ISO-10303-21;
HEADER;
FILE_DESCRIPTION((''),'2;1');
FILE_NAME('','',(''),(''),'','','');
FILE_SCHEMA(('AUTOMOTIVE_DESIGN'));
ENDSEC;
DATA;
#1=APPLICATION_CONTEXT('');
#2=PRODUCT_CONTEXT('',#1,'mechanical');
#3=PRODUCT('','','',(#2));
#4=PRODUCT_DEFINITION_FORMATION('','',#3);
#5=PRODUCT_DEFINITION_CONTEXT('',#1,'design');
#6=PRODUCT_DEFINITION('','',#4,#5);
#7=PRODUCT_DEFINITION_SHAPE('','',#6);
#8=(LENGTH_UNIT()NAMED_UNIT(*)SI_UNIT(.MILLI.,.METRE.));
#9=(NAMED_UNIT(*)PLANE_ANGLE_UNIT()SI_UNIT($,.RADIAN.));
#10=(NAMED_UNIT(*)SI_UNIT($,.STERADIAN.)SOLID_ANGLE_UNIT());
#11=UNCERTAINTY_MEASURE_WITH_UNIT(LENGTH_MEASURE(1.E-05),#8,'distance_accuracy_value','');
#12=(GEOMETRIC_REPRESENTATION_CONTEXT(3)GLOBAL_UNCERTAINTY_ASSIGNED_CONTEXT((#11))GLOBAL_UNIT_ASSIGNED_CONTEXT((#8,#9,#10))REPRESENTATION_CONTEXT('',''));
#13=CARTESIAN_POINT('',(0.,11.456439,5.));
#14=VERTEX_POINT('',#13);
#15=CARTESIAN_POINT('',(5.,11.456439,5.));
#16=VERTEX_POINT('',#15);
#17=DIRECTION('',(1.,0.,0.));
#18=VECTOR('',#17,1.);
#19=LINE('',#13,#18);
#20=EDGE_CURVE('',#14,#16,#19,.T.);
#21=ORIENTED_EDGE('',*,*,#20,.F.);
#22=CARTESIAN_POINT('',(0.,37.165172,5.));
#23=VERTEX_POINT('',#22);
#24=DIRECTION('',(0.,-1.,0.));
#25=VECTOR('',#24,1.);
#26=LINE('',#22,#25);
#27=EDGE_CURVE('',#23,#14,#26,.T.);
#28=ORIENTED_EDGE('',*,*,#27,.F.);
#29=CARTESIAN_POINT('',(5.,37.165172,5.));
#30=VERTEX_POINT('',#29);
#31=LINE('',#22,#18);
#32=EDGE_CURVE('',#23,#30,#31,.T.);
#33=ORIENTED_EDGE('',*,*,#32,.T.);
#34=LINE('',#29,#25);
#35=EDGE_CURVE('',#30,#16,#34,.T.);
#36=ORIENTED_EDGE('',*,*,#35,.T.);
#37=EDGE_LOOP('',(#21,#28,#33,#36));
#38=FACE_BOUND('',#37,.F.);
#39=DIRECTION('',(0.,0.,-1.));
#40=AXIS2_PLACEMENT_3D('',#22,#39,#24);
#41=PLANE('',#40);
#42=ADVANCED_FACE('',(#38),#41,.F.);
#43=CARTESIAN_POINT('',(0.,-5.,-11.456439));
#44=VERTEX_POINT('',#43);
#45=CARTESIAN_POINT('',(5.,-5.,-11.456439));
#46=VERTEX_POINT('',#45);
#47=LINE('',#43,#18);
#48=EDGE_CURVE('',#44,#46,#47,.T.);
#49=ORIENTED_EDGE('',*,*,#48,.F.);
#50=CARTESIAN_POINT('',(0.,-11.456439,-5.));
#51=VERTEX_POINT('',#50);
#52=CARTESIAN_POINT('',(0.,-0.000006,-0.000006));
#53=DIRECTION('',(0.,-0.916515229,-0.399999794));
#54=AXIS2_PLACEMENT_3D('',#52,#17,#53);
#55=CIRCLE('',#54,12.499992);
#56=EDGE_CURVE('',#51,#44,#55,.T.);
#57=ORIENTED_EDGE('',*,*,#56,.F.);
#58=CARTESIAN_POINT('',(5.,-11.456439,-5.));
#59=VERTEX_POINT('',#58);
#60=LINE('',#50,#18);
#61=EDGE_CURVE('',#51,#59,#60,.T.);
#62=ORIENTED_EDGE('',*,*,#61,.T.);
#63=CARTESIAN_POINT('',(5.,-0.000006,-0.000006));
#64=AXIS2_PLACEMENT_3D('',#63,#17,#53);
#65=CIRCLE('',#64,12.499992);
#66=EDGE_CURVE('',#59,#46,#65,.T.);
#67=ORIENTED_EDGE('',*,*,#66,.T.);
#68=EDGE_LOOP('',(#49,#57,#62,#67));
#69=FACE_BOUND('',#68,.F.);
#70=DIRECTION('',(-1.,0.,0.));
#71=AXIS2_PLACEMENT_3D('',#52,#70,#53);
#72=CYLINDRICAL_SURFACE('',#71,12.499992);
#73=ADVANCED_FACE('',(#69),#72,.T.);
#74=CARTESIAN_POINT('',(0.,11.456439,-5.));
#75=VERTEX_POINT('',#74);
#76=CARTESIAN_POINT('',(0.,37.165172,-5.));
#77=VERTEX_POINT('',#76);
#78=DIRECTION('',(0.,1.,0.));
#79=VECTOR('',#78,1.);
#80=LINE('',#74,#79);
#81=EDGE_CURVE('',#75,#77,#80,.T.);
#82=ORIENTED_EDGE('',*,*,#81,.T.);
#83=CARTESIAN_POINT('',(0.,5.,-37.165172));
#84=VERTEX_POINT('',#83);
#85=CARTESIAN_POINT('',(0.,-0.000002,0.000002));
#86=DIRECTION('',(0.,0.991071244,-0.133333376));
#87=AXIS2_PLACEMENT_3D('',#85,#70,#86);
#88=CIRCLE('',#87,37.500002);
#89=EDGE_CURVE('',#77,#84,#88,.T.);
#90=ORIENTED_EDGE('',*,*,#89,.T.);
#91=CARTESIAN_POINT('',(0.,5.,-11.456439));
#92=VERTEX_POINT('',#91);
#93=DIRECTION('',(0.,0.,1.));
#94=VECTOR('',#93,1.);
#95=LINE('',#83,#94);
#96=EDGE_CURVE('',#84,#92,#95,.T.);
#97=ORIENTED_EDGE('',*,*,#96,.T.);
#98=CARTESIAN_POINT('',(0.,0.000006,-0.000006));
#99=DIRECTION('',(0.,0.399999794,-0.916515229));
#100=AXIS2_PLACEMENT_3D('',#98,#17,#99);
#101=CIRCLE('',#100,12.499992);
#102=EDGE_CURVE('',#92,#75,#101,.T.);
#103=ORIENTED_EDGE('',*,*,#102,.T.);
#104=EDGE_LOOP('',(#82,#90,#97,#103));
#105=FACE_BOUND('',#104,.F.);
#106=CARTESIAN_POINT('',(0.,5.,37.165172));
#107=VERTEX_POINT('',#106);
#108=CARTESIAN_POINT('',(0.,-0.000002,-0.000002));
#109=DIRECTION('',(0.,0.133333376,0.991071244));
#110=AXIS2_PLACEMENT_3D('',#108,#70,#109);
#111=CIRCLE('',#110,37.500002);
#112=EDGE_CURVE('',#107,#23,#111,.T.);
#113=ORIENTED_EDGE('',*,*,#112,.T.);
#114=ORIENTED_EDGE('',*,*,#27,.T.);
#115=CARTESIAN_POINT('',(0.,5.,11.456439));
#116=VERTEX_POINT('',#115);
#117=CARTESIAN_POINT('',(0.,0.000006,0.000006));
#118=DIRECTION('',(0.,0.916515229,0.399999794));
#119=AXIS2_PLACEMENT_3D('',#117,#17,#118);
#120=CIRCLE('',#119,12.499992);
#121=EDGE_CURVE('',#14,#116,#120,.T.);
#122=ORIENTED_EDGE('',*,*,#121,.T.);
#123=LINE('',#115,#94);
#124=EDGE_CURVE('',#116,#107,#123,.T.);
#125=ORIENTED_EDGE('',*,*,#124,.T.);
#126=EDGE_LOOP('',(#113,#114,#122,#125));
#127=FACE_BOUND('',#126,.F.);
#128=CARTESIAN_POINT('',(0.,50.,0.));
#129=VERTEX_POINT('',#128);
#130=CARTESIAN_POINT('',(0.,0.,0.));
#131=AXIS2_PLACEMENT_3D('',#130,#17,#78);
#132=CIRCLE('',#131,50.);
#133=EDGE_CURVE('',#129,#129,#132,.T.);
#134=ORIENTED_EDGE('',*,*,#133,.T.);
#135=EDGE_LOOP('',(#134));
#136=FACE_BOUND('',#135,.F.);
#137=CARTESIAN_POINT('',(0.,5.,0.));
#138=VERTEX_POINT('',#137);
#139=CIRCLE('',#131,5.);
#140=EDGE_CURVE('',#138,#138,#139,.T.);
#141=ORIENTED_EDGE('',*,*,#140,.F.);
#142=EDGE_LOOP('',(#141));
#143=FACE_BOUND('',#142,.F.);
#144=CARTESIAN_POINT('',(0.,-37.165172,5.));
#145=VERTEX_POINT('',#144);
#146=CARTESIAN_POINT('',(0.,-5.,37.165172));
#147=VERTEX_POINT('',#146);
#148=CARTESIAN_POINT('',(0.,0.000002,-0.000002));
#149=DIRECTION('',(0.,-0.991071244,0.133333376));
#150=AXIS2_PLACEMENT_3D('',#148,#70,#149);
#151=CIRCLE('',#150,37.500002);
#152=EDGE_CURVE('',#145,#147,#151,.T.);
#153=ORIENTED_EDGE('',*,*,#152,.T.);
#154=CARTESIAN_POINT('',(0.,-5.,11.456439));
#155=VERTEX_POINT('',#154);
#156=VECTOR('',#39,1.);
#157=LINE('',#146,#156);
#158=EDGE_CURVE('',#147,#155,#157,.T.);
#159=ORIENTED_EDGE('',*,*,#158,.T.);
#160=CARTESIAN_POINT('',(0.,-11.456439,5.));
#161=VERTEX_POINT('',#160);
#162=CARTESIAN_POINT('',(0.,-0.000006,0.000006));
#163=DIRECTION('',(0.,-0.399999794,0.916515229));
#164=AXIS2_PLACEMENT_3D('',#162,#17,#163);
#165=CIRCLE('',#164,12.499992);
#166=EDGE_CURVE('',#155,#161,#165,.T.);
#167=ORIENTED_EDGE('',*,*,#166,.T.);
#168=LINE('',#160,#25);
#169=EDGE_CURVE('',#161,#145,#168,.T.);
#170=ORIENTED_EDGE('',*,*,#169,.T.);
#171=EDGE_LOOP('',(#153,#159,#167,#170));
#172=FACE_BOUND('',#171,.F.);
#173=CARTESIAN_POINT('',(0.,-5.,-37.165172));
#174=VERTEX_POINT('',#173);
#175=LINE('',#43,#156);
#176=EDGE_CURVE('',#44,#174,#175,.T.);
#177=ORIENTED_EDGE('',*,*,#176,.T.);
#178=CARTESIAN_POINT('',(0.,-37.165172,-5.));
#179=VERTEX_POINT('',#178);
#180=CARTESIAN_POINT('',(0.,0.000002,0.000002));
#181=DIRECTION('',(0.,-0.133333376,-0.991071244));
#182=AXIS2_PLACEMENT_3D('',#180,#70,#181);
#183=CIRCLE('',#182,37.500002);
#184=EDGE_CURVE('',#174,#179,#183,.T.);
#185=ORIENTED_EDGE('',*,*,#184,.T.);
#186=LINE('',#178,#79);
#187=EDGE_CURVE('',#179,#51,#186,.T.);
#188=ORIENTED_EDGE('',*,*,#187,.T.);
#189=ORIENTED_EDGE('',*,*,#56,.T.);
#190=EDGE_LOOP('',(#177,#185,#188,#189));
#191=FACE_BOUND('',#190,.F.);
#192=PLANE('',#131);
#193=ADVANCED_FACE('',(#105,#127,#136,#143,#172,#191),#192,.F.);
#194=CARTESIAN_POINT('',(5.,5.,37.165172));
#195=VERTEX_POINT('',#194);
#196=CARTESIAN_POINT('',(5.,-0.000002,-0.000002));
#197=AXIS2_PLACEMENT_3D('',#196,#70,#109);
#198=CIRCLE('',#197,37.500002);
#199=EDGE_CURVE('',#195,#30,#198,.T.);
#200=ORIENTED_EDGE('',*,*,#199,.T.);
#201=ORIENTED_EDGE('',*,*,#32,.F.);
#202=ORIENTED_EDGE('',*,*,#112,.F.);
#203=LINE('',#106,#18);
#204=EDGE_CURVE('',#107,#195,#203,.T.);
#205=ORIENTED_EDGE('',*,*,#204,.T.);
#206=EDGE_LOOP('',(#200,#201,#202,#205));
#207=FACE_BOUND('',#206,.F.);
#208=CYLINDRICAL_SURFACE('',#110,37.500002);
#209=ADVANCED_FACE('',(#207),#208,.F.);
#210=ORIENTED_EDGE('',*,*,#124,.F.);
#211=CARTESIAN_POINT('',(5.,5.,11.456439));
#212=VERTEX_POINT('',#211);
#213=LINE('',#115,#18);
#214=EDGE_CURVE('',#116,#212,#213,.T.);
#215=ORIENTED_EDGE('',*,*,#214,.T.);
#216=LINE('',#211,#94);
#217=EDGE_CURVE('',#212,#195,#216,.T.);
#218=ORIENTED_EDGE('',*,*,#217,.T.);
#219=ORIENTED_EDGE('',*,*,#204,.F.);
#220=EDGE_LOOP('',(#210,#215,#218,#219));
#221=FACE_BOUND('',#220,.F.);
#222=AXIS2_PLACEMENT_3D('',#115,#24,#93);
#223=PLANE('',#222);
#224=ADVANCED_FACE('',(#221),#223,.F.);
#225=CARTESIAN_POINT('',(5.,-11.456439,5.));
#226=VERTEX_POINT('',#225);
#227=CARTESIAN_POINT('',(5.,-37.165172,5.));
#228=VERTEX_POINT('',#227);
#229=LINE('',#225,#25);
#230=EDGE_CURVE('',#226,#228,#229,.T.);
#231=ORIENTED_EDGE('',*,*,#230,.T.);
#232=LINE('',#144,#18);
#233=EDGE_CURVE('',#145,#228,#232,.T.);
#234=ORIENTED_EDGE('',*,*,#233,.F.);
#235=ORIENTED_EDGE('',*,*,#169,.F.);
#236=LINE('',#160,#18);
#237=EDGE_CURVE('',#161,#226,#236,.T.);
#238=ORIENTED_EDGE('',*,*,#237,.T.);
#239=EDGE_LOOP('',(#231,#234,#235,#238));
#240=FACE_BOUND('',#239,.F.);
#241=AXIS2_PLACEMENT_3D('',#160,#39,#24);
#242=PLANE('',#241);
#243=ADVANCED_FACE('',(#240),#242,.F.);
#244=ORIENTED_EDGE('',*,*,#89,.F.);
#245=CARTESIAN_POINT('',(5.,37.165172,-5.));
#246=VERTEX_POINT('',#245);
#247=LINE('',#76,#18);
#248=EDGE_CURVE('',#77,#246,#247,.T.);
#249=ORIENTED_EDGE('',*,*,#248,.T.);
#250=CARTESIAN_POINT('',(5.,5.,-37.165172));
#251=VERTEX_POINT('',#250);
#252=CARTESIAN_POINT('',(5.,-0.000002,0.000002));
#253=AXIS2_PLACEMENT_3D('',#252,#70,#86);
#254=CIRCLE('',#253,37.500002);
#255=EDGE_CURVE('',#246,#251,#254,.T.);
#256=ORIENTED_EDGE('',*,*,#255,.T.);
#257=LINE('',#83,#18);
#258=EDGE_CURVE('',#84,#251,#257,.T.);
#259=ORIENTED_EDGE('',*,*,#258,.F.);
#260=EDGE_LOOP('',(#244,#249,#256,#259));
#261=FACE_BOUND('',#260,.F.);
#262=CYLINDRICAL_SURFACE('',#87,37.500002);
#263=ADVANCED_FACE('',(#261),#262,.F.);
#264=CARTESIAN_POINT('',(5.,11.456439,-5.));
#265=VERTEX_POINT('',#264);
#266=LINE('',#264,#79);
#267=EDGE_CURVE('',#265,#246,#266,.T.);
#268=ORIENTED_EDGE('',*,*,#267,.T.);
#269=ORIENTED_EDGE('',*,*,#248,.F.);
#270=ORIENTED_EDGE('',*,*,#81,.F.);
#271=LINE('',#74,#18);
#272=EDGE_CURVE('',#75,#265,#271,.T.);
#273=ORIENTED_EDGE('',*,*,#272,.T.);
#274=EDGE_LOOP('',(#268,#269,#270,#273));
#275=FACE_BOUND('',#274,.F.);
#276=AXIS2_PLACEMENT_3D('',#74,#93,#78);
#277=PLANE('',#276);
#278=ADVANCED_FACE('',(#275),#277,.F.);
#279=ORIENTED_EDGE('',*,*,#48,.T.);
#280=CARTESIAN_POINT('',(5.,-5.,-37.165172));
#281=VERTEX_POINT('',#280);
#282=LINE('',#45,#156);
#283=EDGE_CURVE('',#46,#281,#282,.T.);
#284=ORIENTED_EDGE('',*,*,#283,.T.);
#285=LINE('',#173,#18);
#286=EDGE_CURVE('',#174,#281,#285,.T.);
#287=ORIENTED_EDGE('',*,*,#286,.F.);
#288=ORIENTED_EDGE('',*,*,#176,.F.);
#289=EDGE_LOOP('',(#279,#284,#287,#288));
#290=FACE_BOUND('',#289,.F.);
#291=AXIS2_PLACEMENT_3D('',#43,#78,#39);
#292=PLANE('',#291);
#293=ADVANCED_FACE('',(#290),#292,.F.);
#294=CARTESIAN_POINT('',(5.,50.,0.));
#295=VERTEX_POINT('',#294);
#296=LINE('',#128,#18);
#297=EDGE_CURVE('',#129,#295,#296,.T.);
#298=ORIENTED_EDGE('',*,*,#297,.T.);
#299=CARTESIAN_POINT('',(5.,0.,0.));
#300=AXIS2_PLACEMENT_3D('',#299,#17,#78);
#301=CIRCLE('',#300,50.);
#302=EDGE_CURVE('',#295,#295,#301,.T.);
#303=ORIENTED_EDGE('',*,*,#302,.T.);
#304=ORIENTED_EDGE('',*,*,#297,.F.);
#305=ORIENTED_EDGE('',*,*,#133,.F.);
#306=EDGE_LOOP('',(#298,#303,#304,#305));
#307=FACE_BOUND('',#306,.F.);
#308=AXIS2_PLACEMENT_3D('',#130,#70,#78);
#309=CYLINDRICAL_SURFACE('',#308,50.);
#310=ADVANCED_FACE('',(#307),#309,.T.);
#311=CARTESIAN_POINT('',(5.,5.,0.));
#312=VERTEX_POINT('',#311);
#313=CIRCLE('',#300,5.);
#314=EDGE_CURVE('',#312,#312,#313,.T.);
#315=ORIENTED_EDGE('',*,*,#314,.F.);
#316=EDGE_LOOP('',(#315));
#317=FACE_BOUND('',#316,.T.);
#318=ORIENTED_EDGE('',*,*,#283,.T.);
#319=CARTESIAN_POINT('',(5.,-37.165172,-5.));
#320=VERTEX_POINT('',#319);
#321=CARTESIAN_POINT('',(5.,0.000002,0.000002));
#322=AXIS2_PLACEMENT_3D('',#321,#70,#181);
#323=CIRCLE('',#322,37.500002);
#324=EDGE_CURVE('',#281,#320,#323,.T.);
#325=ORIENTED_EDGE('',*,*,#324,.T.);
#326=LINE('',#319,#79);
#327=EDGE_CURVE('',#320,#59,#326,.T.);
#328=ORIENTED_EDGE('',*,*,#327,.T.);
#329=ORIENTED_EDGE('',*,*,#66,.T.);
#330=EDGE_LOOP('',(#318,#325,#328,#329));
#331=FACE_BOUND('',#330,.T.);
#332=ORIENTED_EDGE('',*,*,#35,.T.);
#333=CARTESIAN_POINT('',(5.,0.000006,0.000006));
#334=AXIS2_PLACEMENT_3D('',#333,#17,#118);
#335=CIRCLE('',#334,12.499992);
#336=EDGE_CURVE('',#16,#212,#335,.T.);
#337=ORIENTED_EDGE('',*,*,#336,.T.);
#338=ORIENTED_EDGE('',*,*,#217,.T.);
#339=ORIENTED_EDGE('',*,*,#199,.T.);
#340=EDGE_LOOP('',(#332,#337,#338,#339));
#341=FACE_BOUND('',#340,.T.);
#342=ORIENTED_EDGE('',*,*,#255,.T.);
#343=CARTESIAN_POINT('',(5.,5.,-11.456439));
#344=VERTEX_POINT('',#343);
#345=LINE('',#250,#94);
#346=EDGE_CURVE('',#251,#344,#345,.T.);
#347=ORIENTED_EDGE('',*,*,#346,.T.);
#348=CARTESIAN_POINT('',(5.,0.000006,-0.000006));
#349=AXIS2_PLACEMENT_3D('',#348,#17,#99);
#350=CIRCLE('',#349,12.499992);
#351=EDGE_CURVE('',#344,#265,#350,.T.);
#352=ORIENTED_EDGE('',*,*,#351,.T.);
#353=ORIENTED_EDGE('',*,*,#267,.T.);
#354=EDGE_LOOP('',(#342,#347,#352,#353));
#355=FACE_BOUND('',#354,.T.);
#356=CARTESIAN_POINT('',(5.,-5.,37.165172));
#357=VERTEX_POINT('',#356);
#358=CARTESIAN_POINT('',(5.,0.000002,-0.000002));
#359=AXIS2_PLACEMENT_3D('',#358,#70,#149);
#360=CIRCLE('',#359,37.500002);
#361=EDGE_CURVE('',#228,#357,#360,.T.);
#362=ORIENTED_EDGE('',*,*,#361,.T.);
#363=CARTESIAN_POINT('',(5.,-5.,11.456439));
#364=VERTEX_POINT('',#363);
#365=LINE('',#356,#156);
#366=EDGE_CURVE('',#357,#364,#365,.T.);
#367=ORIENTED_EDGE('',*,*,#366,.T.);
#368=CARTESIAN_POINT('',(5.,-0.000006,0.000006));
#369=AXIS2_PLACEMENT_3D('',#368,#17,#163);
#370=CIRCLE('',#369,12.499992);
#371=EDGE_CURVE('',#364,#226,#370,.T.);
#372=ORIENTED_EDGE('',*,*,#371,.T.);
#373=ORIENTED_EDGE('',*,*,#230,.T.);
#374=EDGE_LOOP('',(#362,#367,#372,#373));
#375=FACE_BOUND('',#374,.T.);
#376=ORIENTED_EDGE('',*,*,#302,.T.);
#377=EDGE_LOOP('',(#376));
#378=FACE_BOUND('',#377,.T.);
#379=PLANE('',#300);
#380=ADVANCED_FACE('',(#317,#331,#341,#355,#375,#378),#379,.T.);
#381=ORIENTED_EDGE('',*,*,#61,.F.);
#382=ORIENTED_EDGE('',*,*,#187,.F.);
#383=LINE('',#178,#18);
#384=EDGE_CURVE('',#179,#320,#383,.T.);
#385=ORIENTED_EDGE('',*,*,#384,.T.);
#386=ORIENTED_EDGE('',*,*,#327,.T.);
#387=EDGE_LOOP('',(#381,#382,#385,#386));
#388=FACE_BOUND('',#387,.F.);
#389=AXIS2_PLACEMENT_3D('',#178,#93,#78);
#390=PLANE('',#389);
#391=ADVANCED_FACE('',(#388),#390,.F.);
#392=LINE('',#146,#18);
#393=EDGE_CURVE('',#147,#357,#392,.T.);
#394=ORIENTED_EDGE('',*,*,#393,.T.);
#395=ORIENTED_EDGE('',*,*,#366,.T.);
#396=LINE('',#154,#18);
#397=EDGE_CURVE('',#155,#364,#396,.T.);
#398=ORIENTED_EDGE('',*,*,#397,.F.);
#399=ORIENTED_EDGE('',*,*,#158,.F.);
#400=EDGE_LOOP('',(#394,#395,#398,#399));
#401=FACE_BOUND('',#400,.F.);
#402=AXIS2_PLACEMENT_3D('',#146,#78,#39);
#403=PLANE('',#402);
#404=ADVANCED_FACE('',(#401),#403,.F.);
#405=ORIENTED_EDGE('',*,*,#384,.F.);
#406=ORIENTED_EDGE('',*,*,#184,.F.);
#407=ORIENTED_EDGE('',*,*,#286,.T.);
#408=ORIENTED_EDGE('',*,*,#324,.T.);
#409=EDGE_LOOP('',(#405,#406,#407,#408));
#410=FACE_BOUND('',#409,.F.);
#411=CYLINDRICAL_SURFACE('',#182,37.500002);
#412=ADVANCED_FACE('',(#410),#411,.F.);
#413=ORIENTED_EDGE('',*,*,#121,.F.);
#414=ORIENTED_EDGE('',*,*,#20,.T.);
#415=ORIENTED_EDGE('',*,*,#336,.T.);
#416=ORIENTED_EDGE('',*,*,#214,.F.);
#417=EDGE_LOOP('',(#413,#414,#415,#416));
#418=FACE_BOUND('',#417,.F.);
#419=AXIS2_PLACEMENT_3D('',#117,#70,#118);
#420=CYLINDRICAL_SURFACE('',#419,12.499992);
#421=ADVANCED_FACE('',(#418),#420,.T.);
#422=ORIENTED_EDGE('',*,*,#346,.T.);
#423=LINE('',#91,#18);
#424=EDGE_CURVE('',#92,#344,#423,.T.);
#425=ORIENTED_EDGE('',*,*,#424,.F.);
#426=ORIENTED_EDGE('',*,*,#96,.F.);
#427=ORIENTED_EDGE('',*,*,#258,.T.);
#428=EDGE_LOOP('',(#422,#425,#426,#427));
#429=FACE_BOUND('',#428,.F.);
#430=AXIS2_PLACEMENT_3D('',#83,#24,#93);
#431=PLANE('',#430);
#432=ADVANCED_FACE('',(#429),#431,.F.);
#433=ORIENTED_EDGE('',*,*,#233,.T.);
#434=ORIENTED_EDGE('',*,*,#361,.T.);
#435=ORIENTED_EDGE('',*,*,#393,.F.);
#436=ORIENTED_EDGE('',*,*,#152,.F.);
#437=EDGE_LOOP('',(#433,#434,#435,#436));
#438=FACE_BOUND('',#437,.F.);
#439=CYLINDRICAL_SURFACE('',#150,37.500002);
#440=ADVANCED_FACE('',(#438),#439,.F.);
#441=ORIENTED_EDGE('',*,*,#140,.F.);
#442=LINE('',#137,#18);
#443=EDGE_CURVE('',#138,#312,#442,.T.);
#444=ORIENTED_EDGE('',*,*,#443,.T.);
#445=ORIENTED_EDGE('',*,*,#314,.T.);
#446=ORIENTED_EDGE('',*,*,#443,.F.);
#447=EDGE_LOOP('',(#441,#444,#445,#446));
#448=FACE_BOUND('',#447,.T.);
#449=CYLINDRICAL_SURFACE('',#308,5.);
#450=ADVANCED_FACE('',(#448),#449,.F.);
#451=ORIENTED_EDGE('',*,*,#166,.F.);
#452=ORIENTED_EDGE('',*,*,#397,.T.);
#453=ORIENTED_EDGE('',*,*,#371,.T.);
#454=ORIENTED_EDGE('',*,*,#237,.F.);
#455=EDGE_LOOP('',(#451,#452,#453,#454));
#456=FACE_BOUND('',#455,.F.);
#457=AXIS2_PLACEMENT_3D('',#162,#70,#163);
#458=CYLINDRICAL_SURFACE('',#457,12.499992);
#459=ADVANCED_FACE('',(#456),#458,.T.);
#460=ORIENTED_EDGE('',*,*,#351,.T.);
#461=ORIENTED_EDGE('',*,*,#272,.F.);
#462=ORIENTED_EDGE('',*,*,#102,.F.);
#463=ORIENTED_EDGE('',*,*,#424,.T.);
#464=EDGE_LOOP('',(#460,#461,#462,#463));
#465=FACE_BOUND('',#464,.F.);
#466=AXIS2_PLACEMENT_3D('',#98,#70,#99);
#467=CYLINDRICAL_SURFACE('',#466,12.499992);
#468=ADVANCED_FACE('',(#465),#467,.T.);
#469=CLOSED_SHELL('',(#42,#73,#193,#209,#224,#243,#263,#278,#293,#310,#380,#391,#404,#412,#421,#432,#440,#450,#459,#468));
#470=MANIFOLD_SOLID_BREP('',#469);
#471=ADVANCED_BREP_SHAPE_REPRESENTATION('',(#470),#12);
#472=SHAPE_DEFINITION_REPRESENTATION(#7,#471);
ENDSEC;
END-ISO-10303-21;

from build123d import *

# Parameters (mm, degrees)
F0_R     = 50
F0_R_2   = 5
F1_DEPTH = 5


with BuildPart() as f1:
    # F0 (on Right) → F1 (new body)
    with BuildSketch(Plane.YZ):
        Circle(F0_R)
        with BuildLine():
            ThreePointArc((-5, -37.165172), (-26.516504, -26.516504), (-37.165172, -5))
            Line((-37.165172, -5), (-11.456439, -5))
            ThreePointArc((-11.456439, -5), (-8.838835, -8.838835), (-5, -11.456439))
            Line((-5, -11.456439), (-5, -37.165172))
        make_face(mode=Mode.SUBTRACT)
        with BuildLine():
            ThreePointArc((37.165172, -5), (26.516504, -26.516504), (5, -37.165172))
            Line((5, -37.165172), (5, -11.456439))
            ThreePointArc((5, -11.456439), (8.838835, -8.838835), (11.456439, -5))
            Line((11.456439, -5), (37.165172, -5))
        make_face(mode=Mode.SUBTRACT)
        with BuildLine():
            Line((-5, 37.165172), (-5, 11.456439))
            ThreePointArc((-5, 11.456439), (-8.838835, 8.838835), (-11.456439, 5))
            Line((-11.456439, 5), (-37.165172, 5))
            ThreePointArc((-37.165172, 5), (-26.516504, 26.516504), (-5, 37.165172))
        make_face(mode=Mode.SUBTRACT)
        Circle(F0_R_2, mode=Mode.SUBTRACT)
        with BuildLine():
            Line((5, 11.456439), (5, 37.165172))
            ThreePointArc((5, 37.165172), (26.516504, 26.516504), (37.165172, 5))
            Line((37.165172, 5), (11.456439, 5))
            ThreePointArc((11.456439, 5), (8.838835, 8.838835), (5, 11.456439))
        make_face(mode=Mode.SUBTRACT)
    extrude(amount=F1_DEPTH)


solid = f1.part
